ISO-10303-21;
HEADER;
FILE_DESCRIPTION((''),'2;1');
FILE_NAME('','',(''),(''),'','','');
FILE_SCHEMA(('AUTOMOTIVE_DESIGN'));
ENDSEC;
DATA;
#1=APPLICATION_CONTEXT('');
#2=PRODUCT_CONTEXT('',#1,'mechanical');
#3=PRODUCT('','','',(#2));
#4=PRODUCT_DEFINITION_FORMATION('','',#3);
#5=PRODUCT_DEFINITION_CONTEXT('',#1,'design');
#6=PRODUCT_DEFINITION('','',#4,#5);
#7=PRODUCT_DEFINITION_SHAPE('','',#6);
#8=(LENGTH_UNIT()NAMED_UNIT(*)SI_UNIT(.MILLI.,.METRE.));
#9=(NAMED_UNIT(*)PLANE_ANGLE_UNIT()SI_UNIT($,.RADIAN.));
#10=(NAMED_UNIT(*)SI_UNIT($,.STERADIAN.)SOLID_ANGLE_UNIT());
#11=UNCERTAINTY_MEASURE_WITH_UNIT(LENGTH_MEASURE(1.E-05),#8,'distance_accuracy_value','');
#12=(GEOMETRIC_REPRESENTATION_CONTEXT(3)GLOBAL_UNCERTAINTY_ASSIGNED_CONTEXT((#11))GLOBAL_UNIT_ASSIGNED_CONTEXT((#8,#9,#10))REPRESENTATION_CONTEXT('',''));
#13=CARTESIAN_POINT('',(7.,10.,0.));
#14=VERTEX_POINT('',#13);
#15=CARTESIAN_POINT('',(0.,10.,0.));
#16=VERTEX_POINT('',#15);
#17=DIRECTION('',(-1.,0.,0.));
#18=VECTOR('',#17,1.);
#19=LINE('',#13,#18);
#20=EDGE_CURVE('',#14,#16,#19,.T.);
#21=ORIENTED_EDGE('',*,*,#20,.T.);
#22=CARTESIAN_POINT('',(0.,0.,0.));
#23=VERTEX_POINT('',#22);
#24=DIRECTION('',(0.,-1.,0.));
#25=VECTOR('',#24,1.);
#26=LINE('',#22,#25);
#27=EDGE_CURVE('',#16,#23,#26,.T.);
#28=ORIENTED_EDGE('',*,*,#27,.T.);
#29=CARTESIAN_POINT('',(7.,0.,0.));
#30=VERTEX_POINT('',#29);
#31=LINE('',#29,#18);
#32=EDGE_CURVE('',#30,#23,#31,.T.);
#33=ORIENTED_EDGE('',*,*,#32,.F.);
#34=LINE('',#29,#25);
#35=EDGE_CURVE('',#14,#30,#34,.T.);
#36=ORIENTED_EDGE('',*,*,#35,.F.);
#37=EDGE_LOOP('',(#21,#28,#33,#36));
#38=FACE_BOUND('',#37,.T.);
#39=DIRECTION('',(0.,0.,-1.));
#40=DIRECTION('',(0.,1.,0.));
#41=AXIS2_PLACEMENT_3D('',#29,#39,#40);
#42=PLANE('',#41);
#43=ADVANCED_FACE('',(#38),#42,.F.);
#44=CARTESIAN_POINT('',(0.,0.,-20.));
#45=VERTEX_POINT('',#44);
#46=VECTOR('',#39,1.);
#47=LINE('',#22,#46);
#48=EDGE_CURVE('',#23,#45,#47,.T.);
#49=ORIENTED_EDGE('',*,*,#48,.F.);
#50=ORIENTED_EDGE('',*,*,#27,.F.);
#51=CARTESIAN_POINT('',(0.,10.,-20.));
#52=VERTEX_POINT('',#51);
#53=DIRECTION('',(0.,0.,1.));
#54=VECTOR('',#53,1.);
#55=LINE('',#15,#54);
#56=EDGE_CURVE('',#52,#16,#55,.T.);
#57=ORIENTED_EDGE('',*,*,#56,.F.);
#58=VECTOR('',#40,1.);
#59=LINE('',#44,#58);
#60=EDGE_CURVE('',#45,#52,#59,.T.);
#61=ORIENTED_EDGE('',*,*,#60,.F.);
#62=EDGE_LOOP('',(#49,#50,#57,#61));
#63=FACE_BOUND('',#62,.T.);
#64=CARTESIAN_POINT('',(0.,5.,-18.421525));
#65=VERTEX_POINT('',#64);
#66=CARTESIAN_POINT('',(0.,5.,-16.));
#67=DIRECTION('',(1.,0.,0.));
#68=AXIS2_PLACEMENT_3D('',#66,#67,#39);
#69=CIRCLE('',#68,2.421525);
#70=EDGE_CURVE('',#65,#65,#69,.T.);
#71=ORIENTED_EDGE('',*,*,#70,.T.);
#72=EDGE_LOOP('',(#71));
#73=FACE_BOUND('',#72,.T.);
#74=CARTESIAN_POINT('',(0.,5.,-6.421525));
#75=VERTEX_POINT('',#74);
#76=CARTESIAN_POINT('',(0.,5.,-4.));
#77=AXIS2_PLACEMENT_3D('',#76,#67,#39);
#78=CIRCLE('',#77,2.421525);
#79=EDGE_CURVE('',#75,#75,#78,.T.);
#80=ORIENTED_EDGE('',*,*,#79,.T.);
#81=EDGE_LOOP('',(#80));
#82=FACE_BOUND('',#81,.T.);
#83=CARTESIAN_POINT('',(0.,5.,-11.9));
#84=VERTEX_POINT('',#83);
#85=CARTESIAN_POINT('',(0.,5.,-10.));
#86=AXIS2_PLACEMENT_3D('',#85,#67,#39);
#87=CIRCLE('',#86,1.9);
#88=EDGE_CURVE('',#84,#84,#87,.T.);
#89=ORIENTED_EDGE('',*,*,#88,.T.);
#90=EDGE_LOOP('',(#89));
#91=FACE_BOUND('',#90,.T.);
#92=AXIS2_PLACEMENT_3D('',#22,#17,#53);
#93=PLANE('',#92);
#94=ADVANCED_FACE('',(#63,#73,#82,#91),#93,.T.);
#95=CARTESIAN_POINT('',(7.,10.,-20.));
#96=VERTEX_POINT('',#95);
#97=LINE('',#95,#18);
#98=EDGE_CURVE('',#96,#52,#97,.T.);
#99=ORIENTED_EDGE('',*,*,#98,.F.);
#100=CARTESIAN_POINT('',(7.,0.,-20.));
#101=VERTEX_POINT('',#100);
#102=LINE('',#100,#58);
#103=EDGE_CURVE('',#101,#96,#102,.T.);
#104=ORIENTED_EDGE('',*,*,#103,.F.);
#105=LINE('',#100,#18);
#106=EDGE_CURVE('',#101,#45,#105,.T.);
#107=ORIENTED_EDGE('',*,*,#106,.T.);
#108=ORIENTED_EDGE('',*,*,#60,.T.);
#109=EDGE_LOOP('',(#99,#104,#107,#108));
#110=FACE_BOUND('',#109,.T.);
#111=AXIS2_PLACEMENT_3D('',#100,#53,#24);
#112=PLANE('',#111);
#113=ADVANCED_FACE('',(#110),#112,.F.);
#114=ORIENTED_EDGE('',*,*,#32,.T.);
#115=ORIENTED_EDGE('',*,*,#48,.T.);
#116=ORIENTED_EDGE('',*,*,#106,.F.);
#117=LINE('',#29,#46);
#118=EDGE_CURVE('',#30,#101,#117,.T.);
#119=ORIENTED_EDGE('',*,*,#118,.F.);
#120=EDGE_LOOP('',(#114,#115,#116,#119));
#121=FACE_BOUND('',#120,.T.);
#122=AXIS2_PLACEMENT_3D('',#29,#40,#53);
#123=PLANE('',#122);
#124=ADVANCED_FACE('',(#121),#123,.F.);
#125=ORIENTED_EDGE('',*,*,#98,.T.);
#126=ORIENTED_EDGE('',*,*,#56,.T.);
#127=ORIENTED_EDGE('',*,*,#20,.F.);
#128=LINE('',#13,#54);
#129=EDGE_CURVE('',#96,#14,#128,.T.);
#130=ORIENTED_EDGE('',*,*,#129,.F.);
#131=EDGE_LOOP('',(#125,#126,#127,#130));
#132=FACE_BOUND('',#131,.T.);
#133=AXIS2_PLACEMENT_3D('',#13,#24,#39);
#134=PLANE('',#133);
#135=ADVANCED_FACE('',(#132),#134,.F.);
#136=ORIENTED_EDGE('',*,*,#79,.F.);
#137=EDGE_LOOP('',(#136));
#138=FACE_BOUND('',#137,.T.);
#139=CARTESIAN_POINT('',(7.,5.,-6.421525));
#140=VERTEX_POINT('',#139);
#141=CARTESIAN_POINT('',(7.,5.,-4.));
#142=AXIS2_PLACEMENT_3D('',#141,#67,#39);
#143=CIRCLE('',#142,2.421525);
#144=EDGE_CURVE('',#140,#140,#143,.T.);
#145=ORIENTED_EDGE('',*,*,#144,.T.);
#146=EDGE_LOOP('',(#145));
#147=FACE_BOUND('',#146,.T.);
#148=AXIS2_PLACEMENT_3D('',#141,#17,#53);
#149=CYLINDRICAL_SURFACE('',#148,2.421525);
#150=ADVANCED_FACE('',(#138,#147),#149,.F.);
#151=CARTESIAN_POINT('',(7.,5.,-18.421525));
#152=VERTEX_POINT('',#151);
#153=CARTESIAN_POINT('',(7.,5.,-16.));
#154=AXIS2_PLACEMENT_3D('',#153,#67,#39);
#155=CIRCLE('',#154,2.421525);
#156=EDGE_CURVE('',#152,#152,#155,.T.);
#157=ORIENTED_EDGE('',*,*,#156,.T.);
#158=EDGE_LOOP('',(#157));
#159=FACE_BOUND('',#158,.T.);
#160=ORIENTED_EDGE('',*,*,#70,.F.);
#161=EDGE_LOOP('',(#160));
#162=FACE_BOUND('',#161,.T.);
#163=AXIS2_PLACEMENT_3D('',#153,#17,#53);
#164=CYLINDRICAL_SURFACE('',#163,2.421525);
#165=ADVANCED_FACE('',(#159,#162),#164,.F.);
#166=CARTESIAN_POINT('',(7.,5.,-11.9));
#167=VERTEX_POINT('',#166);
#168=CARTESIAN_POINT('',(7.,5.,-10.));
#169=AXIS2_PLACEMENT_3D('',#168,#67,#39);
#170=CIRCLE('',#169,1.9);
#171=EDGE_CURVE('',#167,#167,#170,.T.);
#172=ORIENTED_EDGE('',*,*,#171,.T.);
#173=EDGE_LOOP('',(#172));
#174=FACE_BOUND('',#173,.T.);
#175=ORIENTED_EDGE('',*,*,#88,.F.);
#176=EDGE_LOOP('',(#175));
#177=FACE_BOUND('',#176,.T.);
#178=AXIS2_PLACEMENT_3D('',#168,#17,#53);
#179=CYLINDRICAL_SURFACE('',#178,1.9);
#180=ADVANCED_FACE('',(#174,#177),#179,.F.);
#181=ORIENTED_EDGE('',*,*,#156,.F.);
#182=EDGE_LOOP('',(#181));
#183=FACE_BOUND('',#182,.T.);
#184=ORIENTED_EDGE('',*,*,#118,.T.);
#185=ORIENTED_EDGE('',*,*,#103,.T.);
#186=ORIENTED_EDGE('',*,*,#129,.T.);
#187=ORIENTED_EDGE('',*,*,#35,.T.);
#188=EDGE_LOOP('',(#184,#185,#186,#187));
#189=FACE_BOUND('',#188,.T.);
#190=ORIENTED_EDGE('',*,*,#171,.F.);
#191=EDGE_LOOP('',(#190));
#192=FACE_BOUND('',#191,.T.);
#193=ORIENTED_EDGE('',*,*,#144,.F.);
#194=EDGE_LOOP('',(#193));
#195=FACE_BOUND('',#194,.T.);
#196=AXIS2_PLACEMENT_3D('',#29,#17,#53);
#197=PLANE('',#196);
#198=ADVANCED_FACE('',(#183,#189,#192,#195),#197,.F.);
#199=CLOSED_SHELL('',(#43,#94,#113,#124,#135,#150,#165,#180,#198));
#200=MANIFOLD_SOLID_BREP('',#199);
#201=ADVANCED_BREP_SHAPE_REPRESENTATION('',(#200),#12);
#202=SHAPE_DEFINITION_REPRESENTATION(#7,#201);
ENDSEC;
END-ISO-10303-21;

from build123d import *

# Parameters (mm, degrees)
SKETCH1_W           = 20
SKETCH1_H           = 10
SKETCH1_R           = 1.9
SKETCH1_R_2         = 2.421524664
BOSS_EXTRUDE1_DEPTH = 7


with BuildPart() as part:
    # Sketch1 → Boss-Extrude1 (new body)
    with BuildSketch(Plane(origin=(0, 0, 0), x_dir=(0, 0, -1), z_dir=(1, 0, 0))):
        with Locations((10, 5)):
            Rectangle(SKETCH1_W, SKETCH1_H)
        with Locations((10, 5)):
            Circle(SKETCH1_R, mode=Mode.SUBTRACT)
        with Locations((16, 5)):
            Circle(SKETCH1_R_2, mode=Mode.SUBTRACT)
        with Locations((4, 5)):
            Circle(SKETCH1_R_2, mode=Mode.SUBTRACT)
    extrude(amount=BOSS_EXTRUDE1_DEPTH)


solid = part.part
